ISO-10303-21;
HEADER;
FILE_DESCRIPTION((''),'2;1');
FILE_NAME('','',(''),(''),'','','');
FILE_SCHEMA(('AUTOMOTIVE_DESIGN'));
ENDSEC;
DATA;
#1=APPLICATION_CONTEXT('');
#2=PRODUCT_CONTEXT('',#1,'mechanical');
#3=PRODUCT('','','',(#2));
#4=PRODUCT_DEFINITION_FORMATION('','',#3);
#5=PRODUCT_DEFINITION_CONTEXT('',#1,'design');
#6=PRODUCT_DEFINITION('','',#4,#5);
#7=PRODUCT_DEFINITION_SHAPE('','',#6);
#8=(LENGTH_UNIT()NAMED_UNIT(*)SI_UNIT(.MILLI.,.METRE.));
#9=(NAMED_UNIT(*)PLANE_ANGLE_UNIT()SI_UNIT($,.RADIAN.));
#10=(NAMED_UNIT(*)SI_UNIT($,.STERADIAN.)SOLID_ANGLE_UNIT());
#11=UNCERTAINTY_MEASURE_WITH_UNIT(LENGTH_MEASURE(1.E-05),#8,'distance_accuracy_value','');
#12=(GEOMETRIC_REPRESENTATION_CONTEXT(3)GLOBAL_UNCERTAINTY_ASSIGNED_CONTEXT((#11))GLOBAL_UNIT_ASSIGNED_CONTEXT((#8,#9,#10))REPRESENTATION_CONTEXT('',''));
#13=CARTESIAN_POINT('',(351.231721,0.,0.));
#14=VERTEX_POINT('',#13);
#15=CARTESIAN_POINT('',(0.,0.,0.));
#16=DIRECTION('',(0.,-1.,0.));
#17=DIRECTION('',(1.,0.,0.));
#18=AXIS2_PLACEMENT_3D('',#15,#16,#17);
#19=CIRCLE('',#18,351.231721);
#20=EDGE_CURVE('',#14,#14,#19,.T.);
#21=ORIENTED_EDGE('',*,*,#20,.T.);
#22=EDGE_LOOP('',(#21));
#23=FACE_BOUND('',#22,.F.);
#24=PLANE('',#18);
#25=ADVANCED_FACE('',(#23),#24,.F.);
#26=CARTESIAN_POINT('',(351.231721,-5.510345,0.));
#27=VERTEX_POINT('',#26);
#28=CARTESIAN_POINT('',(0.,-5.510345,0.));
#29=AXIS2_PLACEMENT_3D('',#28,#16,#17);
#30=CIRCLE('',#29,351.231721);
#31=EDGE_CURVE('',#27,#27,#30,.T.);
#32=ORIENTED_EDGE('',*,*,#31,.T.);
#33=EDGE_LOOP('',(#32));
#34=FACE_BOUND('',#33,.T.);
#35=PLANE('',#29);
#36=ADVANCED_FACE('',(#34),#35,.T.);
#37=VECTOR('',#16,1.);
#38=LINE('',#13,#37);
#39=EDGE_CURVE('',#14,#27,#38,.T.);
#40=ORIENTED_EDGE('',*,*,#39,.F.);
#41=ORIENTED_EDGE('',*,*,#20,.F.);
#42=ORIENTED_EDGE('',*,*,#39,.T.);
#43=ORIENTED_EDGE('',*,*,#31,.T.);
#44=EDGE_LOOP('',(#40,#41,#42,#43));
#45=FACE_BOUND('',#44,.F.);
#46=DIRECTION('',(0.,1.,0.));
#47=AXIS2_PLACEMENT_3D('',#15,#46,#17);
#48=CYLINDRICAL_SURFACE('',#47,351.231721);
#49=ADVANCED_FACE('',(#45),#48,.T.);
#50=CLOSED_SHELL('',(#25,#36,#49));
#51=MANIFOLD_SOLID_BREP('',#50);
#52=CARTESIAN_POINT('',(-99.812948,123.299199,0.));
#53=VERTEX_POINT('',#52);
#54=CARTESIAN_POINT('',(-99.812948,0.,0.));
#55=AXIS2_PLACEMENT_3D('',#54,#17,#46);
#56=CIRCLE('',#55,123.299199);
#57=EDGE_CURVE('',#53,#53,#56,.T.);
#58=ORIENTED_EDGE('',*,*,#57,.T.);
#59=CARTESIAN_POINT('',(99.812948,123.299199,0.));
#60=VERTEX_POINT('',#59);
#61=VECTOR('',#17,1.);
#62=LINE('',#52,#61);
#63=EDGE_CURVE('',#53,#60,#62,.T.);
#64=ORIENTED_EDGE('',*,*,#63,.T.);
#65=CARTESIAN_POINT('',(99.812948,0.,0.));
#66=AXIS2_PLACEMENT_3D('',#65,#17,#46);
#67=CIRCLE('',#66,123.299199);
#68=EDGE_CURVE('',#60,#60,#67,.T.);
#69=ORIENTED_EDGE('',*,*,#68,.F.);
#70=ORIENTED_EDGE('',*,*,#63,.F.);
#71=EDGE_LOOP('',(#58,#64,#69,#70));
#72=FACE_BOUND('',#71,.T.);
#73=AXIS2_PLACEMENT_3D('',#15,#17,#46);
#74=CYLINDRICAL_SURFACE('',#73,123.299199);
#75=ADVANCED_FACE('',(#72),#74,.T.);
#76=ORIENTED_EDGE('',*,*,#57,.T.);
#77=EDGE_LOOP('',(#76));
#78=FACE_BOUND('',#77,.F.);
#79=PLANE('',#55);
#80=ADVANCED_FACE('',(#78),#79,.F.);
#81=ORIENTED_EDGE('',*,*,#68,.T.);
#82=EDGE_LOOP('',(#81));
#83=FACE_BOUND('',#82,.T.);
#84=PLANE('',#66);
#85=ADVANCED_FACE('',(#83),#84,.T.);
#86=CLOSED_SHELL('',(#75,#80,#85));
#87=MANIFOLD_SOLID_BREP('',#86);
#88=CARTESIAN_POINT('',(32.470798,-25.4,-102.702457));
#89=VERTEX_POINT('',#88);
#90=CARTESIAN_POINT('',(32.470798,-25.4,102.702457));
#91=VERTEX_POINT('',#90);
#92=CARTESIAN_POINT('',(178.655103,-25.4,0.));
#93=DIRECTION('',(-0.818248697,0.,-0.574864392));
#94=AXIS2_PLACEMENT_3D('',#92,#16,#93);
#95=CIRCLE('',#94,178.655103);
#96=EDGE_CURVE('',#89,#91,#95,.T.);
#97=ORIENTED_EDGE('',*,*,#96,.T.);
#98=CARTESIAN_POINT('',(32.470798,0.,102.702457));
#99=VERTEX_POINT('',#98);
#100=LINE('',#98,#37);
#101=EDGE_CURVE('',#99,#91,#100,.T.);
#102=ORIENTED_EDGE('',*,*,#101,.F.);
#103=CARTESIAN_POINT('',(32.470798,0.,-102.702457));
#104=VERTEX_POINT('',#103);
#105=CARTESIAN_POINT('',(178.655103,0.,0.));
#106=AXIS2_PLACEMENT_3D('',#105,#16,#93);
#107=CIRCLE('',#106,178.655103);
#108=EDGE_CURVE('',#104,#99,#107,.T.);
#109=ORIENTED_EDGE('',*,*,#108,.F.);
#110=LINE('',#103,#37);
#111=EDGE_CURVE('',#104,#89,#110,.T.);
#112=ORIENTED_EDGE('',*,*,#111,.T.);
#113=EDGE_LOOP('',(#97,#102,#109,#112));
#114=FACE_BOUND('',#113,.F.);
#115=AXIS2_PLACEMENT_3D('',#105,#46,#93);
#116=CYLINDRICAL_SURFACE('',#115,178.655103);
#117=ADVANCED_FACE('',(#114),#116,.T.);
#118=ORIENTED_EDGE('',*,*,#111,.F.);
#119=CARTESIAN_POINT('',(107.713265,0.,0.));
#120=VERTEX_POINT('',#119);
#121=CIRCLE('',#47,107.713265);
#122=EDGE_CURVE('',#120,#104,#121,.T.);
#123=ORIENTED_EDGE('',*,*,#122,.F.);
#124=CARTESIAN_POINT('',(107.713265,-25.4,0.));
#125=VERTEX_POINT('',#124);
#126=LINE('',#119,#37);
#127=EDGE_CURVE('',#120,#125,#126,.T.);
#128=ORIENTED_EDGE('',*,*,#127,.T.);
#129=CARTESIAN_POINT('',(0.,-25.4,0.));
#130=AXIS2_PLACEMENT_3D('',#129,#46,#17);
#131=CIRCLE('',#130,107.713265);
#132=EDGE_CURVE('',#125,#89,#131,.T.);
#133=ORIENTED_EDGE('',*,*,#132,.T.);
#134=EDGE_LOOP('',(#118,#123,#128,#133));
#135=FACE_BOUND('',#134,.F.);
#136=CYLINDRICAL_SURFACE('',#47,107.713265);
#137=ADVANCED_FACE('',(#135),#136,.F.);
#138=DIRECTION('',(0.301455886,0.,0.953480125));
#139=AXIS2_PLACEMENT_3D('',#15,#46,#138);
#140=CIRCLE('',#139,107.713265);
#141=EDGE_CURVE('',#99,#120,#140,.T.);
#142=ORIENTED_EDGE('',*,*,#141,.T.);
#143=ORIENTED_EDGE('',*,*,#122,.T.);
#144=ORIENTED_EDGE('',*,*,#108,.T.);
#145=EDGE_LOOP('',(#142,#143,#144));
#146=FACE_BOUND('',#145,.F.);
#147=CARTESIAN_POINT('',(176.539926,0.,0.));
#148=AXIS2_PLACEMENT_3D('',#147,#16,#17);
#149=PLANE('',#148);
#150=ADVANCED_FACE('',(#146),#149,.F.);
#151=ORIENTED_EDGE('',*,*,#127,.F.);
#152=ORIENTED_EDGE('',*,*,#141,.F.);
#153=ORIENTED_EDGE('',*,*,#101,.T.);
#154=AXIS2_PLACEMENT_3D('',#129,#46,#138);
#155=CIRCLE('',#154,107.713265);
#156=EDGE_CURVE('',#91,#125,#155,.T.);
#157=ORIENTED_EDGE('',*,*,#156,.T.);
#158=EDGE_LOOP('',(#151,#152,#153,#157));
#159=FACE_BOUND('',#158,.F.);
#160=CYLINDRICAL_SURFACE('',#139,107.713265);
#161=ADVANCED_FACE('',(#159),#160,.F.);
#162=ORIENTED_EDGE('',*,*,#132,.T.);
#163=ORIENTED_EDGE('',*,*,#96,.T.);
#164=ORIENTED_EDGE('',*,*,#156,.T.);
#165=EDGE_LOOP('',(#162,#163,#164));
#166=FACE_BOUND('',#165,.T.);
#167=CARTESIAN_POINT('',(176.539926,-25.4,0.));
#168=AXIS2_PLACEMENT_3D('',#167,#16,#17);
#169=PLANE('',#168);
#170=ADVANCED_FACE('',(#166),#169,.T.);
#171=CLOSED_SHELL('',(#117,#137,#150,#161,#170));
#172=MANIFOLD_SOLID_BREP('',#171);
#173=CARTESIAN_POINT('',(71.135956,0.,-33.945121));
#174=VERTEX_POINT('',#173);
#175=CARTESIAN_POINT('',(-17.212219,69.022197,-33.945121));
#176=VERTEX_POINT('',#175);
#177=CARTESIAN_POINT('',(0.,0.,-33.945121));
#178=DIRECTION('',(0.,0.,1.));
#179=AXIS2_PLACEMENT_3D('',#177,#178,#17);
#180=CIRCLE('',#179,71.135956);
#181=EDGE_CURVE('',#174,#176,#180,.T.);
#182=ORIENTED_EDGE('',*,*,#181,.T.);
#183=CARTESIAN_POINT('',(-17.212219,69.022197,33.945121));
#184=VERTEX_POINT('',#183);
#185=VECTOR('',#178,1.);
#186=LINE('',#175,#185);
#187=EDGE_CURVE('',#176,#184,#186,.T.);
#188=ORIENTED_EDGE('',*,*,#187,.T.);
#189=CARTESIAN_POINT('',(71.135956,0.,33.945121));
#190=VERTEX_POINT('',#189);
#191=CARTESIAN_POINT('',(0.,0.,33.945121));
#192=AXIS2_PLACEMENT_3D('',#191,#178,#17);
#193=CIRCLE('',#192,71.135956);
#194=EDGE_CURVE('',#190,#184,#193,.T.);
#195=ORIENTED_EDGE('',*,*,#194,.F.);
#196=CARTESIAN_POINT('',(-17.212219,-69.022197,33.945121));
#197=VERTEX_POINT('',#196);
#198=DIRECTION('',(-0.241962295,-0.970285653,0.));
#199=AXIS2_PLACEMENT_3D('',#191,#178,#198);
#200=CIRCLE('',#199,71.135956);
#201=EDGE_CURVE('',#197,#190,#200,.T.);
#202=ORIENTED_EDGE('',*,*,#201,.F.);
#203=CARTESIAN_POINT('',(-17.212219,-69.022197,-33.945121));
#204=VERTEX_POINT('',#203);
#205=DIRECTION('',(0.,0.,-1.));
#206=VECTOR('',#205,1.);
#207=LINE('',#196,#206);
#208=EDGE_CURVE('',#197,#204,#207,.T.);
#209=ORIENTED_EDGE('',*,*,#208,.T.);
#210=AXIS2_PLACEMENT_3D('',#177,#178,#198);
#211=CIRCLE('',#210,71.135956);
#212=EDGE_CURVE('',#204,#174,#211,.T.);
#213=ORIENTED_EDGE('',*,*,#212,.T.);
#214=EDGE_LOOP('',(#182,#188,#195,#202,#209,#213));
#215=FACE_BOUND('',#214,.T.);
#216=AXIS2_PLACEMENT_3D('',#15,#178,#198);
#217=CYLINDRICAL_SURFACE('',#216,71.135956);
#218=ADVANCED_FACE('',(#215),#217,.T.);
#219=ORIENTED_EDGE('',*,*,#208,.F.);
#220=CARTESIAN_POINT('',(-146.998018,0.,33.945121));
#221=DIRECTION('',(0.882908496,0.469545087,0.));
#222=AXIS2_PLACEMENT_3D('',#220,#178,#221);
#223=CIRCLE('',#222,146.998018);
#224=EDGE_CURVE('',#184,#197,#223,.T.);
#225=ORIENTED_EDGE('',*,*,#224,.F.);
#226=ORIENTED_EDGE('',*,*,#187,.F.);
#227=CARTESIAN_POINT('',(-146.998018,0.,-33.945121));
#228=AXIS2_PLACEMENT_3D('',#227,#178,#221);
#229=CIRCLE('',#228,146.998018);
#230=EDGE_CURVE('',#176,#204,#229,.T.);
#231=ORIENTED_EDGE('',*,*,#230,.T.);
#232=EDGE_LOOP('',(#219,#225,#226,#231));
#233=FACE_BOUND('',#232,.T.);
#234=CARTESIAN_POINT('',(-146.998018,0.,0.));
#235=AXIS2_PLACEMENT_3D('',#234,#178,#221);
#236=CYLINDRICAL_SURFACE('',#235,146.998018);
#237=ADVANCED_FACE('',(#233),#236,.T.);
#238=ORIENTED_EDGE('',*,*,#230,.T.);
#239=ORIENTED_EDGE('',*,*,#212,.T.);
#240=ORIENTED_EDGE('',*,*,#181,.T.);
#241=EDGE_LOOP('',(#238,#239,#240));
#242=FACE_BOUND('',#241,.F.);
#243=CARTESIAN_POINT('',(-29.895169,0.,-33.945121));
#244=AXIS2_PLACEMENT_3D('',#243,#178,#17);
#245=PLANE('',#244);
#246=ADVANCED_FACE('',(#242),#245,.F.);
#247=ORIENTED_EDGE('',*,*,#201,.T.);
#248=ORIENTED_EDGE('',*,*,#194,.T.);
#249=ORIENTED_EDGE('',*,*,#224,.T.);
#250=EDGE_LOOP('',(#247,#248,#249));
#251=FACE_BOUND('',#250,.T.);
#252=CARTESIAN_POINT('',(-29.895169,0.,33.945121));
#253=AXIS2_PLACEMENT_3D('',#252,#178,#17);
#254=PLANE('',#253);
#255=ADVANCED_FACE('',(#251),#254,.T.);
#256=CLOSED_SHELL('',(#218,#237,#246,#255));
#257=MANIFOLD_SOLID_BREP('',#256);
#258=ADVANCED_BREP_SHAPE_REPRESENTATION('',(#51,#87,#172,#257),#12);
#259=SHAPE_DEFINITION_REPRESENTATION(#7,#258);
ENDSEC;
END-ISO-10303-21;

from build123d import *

# Parameters (mm, degrees)
F3_DEPTH = 25.4
F4_DEPTH = 33.9451208711
F2_R     = 123.299198533
F5_DEPTH = 99.812948145
F6_R     = 351.2317205635
F7_DEPTH = 5.5103451014


with BuildPart() as f3:
    # F0 (on Front) → F3 (new body)
    with BuildSketch(Plane.XZ):
        with BuildLine():
            ThreePointArc((32.4707977179, 102.702457163), (86.8898240425, 63.6577245086), (107.7132647902, 0))
            ThreePointArc((107.7132647902, 0), (86.8898240425, -63.6577245086), (32.4707977179, -102.702457163))
            ThreePointArc((32.4707977179, -102.702457163), (232.5117352441, -170.3440897743), (357.310205698, 0))
            ThreePointArc((357.310205698, 0), (232.5117352441, 170.3440897743), (32.4707977179, 102.702457163))
        make_face()
    extrude(amount=F3_DEPTH)


with BuildPart() as f4:
    # F1 (on Top) → F4 (new body, symmetric)
    with BuildSketch(Plane.XY):
        with BuildLine():
            ThreePointArc((-17.2122190879, -69.0221971367), (-4.3679501662, -35.5679778154), (0, 0))
            ThreePointArc((0, 0), (-4.3679501662, 35.5679778154), (-17.2122190879, 69.0221971367))
            ThreePointArc((-17.2122190879, 69.0221971367), (-71.1359556308, 0), (-17.2122190879, -69.0221971367))
        make_face()
        with BuildLine():
            ThreePointArc((-17.2122190879, 69.0221971367), (-4.3679501662, 35.5679778154), (0, 0))
            ThreePointArc((0, 0), (-4.3679501662, -35.5679778154), (-17.2122190879, -69.0221971367))
            ThreePointArc((-17.2122190879, -69.0221971367), (43.7945003977, -56.0568097418), (71.1359556308, 0))
            ThreePointArc((71.1359556308, 0), (43.7945003977, 56.0568097418), (-17.2122190879, 69.0221971367))
        make_face()
        with BuildLine():
            ThreePointArc((-17.2122190879, -69.0221971367), (-71.1359556308, 0), (-17.2122190879, 69.0221971367))
            ThreePointArc((-17.2122190879, 69.0221971367), (-293.9960360527, 0), (-17.2122190879, -69.0221971367))
        make_face()
    extrude(amount=F4_DEPTH, both=True)


with BuildPart() as f5:
    # F2 (on Right) → F5 (new body, symmetric)
    with BuildSketch(Plane.YZ):
        Circle(F2_R)
    extrude(amount=F5_DEPTH, both=True)


with BuildPart() as f7:
    # F6 (on Front) → F7 (new body)
    with BuildSketch(Plane.XZ):
        Circle(F6_R)
    extrude(amount=F7_DEPTH)


solid = Compound([f3.part, f4.part, f5.part, f7.part])
